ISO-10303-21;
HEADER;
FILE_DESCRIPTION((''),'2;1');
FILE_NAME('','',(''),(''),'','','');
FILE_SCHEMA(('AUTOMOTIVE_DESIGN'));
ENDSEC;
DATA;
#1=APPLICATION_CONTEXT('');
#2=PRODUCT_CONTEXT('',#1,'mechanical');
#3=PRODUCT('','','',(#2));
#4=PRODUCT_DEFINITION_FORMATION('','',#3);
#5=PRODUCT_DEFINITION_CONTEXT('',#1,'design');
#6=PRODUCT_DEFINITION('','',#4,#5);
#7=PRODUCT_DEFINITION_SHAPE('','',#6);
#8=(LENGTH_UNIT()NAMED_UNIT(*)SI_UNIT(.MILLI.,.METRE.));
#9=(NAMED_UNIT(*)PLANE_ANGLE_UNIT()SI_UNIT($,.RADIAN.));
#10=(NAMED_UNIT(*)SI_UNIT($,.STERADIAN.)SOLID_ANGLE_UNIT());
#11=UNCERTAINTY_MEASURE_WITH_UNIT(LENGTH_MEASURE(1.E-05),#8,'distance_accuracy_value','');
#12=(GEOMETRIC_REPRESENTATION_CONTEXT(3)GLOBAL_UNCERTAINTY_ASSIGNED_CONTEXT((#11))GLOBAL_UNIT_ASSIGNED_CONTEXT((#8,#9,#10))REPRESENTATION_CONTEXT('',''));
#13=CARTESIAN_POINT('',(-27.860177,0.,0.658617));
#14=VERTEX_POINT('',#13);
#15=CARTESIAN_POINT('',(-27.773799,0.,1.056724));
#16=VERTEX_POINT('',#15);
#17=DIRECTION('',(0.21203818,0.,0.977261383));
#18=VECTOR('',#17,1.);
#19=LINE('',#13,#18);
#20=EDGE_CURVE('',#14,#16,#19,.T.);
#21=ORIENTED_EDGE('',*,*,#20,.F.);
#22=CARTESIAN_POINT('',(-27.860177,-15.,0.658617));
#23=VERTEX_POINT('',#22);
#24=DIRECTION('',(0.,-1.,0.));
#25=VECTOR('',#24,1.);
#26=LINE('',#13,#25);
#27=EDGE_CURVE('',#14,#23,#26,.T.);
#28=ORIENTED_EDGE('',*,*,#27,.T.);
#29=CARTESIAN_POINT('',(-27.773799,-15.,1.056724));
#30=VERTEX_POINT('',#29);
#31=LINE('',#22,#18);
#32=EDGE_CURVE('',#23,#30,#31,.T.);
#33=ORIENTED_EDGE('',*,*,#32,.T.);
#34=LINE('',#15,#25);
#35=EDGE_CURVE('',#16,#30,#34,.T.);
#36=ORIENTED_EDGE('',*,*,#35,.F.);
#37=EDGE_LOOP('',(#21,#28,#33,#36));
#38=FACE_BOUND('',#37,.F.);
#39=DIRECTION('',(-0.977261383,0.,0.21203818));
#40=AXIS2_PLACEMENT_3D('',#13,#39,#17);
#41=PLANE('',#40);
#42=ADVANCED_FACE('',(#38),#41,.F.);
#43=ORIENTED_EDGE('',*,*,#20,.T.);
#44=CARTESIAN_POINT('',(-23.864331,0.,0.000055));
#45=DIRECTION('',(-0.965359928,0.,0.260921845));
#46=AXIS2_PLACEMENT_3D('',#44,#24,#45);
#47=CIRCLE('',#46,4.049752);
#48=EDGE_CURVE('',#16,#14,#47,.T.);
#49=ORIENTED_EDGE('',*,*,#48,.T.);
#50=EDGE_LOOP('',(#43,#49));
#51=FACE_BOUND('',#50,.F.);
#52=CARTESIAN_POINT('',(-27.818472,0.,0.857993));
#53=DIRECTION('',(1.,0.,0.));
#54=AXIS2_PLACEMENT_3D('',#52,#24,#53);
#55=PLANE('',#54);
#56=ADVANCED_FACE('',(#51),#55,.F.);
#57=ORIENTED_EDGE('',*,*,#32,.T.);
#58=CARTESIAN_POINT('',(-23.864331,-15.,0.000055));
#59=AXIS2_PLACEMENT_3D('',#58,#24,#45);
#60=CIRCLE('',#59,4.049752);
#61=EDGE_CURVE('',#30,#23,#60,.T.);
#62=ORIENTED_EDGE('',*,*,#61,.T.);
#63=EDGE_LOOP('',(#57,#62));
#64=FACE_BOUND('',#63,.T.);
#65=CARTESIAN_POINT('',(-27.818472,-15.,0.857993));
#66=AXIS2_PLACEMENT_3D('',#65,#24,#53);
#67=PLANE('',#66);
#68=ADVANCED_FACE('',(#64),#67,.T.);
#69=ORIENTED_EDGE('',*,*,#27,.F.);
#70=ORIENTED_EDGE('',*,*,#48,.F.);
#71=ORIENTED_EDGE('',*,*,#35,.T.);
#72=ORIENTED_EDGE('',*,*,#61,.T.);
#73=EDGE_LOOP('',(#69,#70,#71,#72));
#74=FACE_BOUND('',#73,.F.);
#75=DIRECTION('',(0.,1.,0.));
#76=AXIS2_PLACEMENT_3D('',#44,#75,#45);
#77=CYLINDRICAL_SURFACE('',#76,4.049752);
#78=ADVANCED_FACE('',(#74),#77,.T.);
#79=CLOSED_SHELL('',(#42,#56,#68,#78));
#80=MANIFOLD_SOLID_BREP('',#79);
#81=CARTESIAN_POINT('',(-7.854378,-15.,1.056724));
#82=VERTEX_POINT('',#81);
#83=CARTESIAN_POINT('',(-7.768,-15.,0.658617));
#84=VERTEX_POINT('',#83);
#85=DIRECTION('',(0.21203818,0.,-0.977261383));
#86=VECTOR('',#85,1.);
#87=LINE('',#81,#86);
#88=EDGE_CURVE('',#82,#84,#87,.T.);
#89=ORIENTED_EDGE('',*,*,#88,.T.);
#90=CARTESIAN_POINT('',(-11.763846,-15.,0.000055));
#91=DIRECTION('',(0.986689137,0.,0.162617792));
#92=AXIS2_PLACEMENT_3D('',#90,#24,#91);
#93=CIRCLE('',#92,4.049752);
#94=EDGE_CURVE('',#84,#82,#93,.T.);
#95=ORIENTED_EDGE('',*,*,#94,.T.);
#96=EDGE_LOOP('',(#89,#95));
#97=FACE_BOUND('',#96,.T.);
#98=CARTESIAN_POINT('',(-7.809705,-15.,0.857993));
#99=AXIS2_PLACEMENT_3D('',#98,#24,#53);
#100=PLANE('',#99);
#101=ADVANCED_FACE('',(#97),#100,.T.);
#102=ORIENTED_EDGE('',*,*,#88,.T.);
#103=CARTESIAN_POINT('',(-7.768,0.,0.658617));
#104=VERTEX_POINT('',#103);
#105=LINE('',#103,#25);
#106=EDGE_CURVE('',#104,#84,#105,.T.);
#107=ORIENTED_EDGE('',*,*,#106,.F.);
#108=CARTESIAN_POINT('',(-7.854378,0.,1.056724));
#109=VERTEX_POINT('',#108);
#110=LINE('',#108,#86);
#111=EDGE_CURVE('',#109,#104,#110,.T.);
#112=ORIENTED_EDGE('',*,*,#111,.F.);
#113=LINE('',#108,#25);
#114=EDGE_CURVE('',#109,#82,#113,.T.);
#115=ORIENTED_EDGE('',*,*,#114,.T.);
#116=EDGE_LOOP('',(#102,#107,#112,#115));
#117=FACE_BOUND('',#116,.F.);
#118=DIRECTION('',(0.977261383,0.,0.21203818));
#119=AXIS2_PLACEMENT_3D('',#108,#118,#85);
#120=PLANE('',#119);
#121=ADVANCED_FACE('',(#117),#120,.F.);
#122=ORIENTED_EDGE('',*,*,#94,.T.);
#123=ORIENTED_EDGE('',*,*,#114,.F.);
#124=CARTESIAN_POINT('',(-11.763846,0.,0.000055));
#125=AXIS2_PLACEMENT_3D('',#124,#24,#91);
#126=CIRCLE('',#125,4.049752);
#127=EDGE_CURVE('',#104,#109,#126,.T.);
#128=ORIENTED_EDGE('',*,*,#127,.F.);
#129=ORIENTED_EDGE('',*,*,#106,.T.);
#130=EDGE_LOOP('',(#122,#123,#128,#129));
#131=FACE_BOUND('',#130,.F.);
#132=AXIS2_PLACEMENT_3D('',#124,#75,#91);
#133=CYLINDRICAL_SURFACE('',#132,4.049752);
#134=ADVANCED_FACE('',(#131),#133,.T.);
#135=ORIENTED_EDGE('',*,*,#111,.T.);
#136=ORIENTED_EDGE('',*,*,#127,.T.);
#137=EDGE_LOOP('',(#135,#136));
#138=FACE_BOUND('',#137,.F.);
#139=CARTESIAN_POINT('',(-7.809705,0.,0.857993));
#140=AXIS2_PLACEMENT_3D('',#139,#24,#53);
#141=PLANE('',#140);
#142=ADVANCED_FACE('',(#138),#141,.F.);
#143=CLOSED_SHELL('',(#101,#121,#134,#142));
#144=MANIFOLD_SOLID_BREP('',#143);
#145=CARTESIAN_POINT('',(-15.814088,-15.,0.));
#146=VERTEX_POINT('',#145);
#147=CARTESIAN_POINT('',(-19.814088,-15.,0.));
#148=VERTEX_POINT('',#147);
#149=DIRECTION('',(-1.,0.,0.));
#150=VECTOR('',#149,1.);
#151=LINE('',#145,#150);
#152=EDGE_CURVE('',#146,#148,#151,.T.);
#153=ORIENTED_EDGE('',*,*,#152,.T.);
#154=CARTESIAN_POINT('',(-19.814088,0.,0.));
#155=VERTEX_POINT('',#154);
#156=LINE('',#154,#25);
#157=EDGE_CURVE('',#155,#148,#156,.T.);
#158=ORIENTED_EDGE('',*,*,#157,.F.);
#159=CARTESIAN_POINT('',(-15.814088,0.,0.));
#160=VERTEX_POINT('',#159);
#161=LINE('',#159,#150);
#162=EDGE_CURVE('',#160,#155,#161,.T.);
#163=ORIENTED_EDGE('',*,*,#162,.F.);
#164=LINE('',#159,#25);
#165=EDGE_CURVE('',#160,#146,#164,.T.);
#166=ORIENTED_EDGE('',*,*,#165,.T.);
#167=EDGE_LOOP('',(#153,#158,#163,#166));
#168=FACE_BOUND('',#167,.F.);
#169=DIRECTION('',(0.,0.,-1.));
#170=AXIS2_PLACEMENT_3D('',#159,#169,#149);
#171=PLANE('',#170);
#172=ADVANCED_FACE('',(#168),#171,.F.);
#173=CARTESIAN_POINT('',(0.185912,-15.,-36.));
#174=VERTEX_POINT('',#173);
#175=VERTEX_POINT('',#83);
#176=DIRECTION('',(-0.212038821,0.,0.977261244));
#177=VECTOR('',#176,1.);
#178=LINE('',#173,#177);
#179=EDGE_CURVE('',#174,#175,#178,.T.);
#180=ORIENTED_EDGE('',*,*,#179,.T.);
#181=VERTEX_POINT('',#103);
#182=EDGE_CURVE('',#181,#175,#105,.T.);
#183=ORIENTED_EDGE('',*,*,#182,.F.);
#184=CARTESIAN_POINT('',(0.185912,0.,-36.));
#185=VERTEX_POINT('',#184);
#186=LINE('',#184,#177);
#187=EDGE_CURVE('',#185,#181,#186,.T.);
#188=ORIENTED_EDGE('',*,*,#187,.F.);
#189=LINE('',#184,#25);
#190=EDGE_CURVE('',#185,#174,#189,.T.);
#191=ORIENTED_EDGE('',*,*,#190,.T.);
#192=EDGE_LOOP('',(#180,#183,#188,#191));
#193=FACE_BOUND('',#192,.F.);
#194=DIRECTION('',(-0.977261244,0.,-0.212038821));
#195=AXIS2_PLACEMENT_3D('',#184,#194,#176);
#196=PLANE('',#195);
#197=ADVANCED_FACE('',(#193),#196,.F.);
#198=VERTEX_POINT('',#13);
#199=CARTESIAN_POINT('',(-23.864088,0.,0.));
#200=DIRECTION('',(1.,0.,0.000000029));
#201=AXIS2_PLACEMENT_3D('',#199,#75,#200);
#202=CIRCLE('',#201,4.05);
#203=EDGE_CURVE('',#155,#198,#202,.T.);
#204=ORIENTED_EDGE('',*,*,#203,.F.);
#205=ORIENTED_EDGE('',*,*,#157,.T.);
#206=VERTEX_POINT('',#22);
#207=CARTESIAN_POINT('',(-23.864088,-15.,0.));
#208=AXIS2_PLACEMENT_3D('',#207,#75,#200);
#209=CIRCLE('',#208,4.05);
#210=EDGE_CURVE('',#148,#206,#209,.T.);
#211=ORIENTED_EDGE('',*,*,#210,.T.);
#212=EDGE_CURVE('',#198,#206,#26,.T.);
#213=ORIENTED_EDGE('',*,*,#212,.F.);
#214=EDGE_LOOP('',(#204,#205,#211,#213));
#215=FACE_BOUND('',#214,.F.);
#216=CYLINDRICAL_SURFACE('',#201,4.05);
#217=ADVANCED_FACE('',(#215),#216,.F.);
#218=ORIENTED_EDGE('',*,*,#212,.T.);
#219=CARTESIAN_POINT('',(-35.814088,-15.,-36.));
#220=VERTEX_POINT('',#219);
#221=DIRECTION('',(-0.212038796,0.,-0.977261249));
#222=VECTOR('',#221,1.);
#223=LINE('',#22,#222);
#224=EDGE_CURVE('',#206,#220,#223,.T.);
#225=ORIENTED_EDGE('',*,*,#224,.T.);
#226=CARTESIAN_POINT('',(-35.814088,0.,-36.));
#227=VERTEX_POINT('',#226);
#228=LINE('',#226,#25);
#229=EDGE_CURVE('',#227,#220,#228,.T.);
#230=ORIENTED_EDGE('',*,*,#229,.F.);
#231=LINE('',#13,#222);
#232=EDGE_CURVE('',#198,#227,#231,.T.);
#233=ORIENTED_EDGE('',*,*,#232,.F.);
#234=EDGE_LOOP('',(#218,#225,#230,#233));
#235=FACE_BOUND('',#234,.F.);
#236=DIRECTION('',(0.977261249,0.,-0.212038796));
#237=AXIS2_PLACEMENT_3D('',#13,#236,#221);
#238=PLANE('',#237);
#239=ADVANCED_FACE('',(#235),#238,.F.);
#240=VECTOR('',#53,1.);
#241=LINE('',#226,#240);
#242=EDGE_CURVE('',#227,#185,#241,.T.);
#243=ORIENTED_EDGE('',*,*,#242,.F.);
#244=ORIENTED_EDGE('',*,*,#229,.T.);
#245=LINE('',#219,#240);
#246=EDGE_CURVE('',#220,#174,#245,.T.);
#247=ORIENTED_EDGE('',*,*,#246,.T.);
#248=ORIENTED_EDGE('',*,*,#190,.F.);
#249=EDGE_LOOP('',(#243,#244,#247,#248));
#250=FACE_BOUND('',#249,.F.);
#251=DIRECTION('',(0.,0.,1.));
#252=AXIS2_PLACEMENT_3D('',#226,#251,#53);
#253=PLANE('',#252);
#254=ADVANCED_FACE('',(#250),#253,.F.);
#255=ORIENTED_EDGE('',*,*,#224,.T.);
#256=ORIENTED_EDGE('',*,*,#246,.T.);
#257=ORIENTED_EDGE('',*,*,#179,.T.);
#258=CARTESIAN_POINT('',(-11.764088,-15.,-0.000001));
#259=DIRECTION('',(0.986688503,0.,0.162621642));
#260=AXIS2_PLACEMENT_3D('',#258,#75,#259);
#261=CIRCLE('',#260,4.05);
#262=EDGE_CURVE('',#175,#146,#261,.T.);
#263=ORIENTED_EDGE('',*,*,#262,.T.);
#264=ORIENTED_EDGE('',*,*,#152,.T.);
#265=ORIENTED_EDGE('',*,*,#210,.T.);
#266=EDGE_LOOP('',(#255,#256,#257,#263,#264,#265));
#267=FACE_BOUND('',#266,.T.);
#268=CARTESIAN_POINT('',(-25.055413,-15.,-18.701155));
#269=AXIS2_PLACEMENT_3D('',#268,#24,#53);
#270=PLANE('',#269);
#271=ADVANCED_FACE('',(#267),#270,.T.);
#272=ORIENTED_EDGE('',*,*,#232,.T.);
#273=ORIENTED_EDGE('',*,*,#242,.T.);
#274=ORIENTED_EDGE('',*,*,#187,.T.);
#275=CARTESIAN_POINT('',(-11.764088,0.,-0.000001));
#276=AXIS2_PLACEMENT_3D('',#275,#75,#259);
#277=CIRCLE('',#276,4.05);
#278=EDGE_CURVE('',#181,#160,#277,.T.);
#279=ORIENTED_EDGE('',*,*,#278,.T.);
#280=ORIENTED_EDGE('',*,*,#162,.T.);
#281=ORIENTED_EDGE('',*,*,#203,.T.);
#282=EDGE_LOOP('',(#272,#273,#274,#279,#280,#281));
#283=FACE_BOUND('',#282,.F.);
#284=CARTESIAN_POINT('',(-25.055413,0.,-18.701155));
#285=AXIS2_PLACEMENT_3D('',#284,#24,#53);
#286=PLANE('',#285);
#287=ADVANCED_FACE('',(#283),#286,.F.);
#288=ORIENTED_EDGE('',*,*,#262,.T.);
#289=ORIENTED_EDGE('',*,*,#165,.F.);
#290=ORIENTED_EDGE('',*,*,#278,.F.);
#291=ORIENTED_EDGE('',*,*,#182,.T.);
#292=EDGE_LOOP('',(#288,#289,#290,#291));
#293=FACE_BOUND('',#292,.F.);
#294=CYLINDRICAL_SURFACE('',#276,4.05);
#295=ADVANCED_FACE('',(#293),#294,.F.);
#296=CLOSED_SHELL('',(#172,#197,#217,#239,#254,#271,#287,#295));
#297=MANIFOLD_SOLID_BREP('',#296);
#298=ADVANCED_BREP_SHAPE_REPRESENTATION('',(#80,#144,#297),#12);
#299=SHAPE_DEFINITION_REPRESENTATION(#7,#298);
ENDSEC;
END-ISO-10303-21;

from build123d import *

# Parameters (mm, degrees)
F1_DEPTH = 15


with BuildPart() as f1:
    # F0 (on Front) → F1 (new body)
    with BuildSketch(Plane.XZ):
        with BuildLine():
            Line((-27.860177, 0.658617), (-27.773799, 1.056724))
            ThreePointArc((-27.773799, 1.056724), (-27.821997, 0.858757), (-27.860177, 0.658617))
        make_face()
        with BuildLine():
            Line((-7.854378, 1.056724), (-7.768, 0.658617))
            ThreePointArc((-7.768, 0.658617), (-7.80618, 0.858757), (-7.854378, 1.056724))
        make_face()
        with BuildLine():
            ThreePointArc((-19.814088, 0), (-24.194498, -4.0365), (-27.860177, 0.658617))
            Line((-27.860177, 0.658617), (-35.814088, -36))
            Line((-35.814088, -36), (-17.814088, -36))
            Line((-17.814088, -36), (-17.814088, 0))
            Line((-17.814088, 0), (-19.814088, 0))
        make_face()
        with BuildLine():
            Line((-15.814088, 0), (-17.814088, 0))
            Line((-17.814088, 0), (-17.814088, -36))
            Line((-17.814088, -36), (0.185912, -36))
            Line((0.185912, -36), (-7.768, 0.658617))
            ThreePointArc((-7.768, 0.658617), (-11.433678, -4.0365), (-15.814088, 0))
        make_face()
    extrude(amount=F1_DEPTH)


solid = f1.part
